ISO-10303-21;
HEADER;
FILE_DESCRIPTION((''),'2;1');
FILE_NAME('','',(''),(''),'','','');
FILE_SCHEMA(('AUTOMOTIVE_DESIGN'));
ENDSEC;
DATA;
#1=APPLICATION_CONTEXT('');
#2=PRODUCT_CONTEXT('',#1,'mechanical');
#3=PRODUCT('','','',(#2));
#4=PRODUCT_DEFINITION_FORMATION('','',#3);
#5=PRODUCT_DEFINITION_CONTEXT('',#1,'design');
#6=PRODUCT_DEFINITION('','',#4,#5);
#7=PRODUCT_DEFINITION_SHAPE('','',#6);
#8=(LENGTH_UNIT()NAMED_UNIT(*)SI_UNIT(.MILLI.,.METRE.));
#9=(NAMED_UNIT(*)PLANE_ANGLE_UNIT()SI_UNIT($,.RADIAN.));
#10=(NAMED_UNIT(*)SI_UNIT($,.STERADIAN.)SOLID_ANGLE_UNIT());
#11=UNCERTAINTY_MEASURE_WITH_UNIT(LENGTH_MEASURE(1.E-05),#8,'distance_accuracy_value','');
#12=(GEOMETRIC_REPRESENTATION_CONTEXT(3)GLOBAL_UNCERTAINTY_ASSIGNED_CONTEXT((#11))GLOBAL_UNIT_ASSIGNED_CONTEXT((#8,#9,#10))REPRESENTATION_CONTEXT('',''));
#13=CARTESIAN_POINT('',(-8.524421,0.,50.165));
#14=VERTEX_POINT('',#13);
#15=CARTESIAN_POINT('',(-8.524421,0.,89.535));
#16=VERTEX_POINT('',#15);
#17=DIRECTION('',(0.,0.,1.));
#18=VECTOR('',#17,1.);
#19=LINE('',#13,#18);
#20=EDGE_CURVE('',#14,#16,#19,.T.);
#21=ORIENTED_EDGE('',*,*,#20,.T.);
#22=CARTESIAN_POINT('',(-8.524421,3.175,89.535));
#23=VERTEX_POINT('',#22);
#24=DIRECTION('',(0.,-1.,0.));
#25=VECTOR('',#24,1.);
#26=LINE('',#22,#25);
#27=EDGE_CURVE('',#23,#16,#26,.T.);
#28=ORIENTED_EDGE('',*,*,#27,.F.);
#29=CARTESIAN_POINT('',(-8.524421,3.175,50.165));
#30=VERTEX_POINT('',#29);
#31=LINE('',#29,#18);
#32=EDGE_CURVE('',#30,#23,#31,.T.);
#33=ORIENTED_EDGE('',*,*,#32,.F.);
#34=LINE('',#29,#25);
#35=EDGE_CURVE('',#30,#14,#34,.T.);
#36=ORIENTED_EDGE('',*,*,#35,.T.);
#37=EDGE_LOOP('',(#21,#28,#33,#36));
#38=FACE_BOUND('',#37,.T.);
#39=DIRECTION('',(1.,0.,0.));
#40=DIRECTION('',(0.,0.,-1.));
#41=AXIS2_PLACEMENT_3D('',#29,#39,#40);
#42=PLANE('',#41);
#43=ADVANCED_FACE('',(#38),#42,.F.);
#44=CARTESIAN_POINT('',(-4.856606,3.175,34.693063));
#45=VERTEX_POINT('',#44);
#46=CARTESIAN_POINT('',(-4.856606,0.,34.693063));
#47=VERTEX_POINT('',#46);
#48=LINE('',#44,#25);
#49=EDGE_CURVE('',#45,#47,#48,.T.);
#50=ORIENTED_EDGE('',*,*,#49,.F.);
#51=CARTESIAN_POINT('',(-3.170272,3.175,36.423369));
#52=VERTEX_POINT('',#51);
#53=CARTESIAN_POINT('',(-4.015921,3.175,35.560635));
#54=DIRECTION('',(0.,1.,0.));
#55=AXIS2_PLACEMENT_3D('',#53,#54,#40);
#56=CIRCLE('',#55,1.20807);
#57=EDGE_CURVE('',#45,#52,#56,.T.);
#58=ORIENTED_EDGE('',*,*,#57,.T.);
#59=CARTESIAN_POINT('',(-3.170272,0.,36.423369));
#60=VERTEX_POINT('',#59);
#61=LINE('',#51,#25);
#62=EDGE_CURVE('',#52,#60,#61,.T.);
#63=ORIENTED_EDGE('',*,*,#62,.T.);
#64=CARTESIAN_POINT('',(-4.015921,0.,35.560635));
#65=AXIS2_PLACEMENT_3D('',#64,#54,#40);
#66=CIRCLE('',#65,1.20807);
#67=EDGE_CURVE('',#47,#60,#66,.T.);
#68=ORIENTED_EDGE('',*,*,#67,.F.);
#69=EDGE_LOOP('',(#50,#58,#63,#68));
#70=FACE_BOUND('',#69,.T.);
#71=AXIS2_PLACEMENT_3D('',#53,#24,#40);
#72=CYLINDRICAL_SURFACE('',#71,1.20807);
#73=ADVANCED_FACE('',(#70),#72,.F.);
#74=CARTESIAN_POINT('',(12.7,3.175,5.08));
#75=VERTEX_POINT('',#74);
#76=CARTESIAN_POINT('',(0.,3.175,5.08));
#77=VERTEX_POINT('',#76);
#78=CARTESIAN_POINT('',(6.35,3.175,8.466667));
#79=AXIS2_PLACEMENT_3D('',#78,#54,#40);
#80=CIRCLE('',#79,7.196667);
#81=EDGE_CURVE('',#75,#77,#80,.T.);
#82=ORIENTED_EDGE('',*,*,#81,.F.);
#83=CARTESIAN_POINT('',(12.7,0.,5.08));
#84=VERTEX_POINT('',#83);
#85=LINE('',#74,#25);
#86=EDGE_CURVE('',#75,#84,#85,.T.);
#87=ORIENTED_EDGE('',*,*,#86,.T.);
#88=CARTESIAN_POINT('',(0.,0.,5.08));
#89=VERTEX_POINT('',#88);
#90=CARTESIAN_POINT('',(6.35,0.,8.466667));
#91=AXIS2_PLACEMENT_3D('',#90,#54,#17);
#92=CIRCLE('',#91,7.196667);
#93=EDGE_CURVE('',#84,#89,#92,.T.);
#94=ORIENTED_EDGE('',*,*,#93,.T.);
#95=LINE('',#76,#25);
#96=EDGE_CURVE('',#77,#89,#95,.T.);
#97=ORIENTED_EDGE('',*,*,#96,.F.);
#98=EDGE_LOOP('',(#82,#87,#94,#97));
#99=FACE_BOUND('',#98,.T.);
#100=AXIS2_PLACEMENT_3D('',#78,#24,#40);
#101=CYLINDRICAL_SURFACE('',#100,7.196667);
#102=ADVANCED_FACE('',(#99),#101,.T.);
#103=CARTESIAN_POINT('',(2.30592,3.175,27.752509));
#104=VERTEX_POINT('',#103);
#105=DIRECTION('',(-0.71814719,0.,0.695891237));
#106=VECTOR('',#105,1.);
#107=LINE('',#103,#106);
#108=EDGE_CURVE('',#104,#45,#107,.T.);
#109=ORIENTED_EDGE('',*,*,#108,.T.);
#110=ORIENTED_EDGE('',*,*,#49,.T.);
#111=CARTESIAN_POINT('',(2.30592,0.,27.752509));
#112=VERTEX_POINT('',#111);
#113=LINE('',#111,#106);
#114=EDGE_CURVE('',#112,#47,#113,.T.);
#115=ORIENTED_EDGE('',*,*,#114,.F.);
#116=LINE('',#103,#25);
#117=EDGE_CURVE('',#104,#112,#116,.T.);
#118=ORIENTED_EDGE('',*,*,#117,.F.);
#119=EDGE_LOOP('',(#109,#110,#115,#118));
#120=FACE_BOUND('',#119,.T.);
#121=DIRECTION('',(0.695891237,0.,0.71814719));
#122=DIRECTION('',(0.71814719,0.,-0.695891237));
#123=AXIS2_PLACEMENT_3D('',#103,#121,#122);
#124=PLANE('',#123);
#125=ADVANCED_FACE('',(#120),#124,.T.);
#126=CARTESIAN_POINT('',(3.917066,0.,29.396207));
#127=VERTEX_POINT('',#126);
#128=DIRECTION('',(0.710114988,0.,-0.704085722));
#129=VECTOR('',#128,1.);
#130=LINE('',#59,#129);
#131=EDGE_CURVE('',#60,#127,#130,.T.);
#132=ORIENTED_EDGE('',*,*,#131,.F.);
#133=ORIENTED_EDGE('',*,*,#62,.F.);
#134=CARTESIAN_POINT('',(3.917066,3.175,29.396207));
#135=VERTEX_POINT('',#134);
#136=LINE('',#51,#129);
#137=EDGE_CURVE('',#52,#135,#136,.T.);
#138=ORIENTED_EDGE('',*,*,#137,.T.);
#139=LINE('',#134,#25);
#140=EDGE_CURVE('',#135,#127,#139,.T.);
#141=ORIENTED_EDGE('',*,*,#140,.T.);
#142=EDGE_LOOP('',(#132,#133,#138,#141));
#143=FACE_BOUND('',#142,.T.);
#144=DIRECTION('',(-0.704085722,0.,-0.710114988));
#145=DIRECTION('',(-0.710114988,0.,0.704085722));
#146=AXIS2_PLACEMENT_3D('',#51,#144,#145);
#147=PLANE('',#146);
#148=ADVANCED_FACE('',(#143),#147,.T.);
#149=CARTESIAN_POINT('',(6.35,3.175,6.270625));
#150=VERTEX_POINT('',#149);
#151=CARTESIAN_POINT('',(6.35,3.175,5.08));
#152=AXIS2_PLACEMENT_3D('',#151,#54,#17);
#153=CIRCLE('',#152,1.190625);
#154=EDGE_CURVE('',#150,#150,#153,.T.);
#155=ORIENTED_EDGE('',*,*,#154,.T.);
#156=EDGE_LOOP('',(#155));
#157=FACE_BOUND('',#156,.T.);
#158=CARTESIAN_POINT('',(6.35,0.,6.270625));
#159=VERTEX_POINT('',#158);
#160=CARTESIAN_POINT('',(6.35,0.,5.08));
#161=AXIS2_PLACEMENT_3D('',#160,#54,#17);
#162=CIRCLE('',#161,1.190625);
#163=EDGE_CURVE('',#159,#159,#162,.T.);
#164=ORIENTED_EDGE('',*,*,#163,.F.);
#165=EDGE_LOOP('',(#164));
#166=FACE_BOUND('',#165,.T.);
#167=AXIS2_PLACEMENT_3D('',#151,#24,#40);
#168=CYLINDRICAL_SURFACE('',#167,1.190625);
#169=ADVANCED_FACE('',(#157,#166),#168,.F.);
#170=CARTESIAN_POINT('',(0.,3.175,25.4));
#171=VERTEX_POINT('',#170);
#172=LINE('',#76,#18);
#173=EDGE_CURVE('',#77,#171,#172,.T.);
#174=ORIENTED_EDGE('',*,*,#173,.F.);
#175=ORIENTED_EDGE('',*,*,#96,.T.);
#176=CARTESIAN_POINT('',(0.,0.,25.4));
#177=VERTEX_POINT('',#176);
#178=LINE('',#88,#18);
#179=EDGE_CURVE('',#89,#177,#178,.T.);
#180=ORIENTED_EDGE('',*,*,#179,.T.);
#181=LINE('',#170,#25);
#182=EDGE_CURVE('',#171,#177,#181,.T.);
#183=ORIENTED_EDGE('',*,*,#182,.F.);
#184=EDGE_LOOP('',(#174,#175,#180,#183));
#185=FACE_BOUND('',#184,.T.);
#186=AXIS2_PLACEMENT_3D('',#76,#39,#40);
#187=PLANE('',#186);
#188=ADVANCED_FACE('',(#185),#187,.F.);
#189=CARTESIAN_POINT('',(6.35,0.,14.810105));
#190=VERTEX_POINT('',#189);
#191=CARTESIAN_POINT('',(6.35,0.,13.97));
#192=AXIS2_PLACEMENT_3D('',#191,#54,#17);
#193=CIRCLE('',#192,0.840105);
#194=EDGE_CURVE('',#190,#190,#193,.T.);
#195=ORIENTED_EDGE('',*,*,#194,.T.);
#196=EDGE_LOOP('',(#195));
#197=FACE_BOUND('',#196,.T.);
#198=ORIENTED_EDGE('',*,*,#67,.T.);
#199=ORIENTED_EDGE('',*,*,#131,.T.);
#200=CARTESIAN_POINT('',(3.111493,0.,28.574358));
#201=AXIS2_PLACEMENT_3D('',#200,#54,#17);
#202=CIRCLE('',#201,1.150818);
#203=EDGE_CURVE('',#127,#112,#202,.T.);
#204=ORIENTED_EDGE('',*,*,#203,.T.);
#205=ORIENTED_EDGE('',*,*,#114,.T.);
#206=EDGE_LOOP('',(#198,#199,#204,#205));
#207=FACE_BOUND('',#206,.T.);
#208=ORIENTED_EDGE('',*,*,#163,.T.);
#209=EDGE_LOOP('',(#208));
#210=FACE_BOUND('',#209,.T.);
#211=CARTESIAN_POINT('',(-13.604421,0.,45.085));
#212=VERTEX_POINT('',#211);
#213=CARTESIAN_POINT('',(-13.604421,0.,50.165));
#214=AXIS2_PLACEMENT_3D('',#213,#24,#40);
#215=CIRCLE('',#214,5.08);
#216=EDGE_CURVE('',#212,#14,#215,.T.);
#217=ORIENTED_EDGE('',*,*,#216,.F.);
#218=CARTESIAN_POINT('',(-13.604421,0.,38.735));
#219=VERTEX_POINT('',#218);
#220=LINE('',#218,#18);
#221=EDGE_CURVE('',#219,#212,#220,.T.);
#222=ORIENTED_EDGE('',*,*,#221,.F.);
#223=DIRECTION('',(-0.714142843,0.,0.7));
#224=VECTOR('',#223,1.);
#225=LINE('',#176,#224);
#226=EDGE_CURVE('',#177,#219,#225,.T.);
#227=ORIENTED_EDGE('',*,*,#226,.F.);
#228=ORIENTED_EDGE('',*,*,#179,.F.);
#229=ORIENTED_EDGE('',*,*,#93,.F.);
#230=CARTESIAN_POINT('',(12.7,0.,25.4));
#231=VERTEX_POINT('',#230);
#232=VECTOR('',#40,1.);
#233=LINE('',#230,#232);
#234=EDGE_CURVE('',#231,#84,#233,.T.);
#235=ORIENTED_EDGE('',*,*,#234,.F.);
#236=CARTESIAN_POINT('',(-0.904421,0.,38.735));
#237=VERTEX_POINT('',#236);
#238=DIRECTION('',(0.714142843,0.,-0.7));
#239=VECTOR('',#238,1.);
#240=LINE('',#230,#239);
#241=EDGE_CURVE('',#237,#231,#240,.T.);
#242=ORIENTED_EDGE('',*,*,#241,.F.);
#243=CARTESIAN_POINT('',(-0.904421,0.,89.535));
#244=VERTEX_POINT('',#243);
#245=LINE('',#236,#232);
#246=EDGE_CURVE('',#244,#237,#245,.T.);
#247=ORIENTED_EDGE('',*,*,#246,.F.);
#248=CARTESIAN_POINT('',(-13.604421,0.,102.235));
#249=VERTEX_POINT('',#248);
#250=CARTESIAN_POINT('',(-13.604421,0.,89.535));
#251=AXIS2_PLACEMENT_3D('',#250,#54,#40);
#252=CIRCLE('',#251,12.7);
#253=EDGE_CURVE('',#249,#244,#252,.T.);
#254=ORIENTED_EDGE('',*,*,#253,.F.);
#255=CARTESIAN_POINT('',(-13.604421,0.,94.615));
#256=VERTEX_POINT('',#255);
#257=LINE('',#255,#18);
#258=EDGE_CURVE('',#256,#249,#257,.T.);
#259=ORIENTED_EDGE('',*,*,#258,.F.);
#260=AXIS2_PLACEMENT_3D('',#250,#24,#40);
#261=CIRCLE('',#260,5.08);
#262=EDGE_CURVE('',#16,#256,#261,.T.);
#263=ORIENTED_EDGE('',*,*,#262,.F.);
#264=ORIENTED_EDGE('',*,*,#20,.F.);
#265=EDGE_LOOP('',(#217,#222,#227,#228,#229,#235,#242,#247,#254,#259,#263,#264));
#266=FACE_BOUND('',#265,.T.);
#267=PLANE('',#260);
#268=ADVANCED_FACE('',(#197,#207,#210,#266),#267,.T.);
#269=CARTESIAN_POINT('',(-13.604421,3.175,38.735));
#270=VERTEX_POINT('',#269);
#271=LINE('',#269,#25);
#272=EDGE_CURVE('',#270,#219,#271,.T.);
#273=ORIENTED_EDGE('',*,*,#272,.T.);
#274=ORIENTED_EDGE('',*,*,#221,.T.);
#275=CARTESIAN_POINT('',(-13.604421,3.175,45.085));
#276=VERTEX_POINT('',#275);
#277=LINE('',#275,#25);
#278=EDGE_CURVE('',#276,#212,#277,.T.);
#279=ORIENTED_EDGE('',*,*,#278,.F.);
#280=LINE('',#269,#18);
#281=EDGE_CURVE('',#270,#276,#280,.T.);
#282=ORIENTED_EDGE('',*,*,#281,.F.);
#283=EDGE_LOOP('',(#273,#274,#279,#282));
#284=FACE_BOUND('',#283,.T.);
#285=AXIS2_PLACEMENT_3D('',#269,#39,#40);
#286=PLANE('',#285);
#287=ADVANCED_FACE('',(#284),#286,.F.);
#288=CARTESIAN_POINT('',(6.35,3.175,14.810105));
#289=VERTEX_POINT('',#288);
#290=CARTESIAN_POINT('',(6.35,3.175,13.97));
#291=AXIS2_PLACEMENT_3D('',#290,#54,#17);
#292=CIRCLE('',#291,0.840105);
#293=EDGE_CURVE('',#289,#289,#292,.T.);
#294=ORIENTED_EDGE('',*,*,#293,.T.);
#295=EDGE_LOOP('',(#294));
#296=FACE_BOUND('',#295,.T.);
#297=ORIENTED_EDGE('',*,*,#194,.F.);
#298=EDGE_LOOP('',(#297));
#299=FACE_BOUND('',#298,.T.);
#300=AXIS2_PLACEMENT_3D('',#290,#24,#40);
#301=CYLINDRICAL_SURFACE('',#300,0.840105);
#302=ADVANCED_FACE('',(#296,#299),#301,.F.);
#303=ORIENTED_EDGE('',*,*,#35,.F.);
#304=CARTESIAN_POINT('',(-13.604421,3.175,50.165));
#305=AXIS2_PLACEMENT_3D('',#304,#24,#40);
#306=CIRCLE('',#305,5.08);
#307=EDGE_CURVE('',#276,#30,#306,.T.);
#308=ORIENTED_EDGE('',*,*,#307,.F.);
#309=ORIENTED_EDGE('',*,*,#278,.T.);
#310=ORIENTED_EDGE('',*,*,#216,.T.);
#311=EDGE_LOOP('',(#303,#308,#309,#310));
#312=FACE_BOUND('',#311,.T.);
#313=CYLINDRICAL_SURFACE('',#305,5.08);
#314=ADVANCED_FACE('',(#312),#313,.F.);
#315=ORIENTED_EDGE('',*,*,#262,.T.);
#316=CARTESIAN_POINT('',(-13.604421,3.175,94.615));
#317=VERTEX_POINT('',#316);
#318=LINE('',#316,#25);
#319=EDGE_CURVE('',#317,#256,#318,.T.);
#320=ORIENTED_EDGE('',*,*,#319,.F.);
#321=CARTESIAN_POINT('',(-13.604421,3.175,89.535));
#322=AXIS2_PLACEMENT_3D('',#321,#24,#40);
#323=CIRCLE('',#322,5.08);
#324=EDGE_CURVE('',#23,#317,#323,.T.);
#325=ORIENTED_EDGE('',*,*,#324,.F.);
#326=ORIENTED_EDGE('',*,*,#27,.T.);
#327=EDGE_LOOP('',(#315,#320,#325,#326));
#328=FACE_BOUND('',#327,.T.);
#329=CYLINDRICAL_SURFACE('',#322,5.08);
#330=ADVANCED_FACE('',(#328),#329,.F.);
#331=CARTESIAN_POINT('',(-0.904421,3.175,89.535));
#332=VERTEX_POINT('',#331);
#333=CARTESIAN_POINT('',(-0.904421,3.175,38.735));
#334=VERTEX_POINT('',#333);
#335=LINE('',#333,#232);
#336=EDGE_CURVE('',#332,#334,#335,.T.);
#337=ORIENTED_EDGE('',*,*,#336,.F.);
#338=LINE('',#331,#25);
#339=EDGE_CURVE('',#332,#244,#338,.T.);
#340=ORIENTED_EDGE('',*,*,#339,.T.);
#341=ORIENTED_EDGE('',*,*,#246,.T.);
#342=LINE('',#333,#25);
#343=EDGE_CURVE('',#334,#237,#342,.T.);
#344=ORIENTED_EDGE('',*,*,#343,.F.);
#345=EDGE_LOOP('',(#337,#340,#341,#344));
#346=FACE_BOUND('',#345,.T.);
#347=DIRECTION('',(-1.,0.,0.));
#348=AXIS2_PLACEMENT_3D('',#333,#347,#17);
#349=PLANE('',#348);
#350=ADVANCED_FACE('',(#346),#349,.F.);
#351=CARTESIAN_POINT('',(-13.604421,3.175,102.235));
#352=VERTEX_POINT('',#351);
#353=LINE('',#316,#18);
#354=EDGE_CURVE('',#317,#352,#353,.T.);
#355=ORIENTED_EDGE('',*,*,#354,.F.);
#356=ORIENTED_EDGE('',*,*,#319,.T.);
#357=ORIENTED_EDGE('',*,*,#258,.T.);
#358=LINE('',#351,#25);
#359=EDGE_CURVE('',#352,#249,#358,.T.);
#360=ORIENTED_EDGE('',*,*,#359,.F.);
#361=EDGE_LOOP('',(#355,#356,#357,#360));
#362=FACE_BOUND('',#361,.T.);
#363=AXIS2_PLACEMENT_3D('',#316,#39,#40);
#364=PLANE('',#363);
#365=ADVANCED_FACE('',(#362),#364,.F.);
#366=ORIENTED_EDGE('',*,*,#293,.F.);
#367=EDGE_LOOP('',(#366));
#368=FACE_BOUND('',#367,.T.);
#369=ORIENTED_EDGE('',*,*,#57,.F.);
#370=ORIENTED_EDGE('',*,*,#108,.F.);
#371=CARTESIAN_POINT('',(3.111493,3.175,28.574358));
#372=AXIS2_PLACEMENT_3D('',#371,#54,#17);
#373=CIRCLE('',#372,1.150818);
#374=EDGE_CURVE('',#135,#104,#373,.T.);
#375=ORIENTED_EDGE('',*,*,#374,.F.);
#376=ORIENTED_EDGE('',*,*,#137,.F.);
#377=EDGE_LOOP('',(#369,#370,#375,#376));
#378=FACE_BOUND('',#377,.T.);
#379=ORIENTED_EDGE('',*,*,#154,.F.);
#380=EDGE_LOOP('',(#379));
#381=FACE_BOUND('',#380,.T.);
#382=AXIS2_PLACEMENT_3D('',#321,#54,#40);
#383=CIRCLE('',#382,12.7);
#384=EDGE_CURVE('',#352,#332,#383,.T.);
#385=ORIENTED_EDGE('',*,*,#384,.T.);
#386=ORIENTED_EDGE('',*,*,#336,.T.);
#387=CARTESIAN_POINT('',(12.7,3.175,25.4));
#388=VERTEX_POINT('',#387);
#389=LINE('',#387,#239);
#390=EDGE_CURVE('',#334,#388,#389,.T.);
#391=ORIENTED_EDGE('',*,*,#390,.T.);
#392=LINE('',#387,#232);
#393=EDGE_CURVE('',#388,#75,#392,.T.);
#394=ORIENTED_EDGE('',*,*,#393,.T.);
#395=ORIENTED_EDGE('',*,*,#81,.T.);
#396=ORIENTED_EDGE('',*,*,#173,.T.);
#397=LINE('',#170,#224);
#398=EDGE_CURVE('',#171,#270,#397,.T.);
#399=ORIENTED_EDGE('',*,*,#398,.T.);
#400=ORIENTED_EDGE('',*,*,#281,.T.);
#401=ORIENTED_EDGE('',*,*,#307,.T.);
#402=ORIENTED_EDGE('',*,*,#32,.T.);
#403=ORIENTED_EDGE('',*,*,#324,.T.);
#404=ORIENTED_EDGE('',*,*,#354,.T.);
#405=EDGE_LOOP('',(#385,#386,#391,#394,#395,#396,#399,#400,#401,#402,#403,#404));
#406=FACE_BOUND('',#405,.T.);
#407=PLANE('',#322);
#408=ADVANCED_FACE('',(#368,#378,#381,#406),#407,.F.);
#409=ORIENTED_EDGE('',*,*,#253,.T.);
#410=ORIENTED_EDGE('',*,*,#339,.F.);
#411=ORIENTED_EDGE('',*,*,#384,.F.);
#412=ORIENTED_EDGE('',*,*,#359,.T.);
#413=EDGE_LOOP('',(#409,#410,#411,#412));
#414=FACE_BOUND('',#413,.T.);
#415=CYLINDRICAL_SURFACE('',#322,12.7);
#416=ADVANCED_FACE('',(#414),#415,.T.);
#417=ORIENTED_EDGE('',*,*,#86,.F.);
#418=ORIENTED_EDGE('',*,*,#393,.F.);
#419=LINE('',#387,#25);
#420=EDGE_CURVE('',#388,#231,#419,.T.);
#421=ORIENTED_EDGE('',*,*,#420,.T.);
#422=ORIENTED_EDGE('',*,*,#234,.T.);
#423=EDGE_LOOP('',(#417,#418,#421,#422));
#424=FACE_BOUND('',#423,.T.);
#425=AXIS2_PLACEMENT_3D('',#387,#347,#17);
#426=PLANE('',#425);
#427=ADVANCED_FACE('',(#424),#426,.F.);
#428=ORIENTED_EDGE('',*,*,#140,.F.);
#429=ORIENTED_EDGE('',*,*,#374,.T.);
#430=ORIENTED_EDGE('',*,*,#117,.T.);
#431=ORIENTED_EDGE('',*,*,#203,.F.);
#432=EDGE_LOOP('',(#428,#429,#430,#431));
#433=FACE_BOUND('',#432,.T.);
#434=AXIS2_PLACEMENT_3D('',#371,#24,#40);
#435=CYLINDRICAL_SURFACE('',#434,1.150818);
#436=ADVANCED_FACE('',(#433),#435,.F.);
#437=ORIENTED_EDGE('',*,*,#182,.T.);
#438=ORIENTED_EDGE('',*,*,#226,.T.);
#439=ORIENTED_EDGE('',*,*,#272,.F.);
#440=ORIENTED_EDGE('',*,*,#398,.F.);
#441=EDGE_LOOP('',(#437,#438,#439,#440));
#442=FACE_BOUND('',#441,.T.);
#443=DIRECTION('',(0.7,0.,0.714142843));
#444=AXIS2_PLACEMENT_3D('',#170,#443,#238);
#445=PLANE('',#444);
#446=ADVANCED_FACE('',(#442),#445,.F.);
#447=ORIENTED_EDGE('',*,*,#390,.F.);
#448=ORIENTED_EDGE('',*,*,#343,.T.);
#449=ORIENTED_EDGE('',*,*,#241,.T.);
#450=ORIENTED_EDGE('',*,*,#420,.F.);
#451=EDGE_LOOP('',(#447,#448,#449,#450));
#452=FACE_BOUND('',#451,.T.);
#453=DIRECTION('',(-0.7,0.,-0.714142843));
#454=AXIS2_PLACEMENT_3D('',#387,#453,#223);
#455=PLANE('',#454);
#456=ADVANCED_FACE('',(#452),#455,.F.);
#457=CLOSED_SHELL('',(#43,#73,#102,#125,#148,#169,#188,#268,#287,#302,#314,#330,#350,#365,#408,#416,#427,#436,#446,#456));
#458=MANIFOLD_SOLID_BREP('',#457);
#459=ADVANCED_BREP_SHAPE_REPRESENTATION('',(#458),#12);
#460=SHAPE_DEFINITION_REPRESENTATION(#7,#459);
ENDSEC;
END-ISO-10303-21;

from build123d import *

# Parameters (mm, degrees)
SKETCH1_R           = 1.190625
SKETCH1_R_2         = 0.840105
BOSS_EXTRUDE1_DEPTH = 3.175


with BuildPart() as part:
    # Sketch1 → Boss-Extrude1 (new body)
    with BuildSketch(Plane(origin=(0, 0, 0), x_dir=(1, 0, 0), z_dir=(0, 1, 0))):
        with BuildLine():
            Line((-0.904421156, -38.735), (-0.904421156, -89.535))
            ThreePointArc((-0.904421156, -89.535), (-4.624165035, -98.515256121), (-13.604421156, -102.235))
            Line((-13.604421156, -102.235), (-13.604421156, -94.615))
            ThreePointArc((-13.604421156, -94.615), (-10.012318708, -93.127102448), (-8.524421156, -89.535))
            Line((-8.524421156, -89.535), (-8.524421156, -50.165))
            ThreePointArc((-8.524421156, -50.165), (-10.012318708, -46.572897552), (-13.604421156, -45.085))
            Line((-13.604421156, -45.085), (-13.604421156, -38.735))
            Line((-13.604421156, -38.735), (0, -25.4))
            Line((0, -25.4), (0, -5.08))
            ThreePointArc((0, -5.08), (2.647345547, -2.295575911), (6.35, -1.27))
            ThreePointArc((6.35, -1.27), (10.052654453, -2.295575911), (12.7, -5.08))
            Line((12.7, -5.08), (12.7, -25.4))
            Line((12.7, -25.4), (-0.904421156, -38.735))
        make_face()
        with Locations((6.35, -5.08)):
            Circle(SKETCH1_R, mode=Mode.SUBTRACT)
        with Locations((6.35, -13.97)):
            Circle(SKETCH1_R_2, mode=Mode.SUBTRACT)
        with BuildLine():
            Line((-3.170272283, -36.423369478), (3.917065977, -29.396206618))
            ThreePointArc((3.917065977, -29.396206618), (3.933341902, -27.768784902), (2.305920187, -27.752508977))
            Line((2.305920187, -27.752508977), (-4.856606356, -34.693063118))
            ThreePointArc((-4.856606356, -34.693063118), (-4.881077896, -36.403805569), (-3.170272283, -36.423369478))
        make_face(mode=Mode.SUBTRACT)
    extrude(amount=BOSS_EXTRUDE1_DEPTH)


solid = part.part
